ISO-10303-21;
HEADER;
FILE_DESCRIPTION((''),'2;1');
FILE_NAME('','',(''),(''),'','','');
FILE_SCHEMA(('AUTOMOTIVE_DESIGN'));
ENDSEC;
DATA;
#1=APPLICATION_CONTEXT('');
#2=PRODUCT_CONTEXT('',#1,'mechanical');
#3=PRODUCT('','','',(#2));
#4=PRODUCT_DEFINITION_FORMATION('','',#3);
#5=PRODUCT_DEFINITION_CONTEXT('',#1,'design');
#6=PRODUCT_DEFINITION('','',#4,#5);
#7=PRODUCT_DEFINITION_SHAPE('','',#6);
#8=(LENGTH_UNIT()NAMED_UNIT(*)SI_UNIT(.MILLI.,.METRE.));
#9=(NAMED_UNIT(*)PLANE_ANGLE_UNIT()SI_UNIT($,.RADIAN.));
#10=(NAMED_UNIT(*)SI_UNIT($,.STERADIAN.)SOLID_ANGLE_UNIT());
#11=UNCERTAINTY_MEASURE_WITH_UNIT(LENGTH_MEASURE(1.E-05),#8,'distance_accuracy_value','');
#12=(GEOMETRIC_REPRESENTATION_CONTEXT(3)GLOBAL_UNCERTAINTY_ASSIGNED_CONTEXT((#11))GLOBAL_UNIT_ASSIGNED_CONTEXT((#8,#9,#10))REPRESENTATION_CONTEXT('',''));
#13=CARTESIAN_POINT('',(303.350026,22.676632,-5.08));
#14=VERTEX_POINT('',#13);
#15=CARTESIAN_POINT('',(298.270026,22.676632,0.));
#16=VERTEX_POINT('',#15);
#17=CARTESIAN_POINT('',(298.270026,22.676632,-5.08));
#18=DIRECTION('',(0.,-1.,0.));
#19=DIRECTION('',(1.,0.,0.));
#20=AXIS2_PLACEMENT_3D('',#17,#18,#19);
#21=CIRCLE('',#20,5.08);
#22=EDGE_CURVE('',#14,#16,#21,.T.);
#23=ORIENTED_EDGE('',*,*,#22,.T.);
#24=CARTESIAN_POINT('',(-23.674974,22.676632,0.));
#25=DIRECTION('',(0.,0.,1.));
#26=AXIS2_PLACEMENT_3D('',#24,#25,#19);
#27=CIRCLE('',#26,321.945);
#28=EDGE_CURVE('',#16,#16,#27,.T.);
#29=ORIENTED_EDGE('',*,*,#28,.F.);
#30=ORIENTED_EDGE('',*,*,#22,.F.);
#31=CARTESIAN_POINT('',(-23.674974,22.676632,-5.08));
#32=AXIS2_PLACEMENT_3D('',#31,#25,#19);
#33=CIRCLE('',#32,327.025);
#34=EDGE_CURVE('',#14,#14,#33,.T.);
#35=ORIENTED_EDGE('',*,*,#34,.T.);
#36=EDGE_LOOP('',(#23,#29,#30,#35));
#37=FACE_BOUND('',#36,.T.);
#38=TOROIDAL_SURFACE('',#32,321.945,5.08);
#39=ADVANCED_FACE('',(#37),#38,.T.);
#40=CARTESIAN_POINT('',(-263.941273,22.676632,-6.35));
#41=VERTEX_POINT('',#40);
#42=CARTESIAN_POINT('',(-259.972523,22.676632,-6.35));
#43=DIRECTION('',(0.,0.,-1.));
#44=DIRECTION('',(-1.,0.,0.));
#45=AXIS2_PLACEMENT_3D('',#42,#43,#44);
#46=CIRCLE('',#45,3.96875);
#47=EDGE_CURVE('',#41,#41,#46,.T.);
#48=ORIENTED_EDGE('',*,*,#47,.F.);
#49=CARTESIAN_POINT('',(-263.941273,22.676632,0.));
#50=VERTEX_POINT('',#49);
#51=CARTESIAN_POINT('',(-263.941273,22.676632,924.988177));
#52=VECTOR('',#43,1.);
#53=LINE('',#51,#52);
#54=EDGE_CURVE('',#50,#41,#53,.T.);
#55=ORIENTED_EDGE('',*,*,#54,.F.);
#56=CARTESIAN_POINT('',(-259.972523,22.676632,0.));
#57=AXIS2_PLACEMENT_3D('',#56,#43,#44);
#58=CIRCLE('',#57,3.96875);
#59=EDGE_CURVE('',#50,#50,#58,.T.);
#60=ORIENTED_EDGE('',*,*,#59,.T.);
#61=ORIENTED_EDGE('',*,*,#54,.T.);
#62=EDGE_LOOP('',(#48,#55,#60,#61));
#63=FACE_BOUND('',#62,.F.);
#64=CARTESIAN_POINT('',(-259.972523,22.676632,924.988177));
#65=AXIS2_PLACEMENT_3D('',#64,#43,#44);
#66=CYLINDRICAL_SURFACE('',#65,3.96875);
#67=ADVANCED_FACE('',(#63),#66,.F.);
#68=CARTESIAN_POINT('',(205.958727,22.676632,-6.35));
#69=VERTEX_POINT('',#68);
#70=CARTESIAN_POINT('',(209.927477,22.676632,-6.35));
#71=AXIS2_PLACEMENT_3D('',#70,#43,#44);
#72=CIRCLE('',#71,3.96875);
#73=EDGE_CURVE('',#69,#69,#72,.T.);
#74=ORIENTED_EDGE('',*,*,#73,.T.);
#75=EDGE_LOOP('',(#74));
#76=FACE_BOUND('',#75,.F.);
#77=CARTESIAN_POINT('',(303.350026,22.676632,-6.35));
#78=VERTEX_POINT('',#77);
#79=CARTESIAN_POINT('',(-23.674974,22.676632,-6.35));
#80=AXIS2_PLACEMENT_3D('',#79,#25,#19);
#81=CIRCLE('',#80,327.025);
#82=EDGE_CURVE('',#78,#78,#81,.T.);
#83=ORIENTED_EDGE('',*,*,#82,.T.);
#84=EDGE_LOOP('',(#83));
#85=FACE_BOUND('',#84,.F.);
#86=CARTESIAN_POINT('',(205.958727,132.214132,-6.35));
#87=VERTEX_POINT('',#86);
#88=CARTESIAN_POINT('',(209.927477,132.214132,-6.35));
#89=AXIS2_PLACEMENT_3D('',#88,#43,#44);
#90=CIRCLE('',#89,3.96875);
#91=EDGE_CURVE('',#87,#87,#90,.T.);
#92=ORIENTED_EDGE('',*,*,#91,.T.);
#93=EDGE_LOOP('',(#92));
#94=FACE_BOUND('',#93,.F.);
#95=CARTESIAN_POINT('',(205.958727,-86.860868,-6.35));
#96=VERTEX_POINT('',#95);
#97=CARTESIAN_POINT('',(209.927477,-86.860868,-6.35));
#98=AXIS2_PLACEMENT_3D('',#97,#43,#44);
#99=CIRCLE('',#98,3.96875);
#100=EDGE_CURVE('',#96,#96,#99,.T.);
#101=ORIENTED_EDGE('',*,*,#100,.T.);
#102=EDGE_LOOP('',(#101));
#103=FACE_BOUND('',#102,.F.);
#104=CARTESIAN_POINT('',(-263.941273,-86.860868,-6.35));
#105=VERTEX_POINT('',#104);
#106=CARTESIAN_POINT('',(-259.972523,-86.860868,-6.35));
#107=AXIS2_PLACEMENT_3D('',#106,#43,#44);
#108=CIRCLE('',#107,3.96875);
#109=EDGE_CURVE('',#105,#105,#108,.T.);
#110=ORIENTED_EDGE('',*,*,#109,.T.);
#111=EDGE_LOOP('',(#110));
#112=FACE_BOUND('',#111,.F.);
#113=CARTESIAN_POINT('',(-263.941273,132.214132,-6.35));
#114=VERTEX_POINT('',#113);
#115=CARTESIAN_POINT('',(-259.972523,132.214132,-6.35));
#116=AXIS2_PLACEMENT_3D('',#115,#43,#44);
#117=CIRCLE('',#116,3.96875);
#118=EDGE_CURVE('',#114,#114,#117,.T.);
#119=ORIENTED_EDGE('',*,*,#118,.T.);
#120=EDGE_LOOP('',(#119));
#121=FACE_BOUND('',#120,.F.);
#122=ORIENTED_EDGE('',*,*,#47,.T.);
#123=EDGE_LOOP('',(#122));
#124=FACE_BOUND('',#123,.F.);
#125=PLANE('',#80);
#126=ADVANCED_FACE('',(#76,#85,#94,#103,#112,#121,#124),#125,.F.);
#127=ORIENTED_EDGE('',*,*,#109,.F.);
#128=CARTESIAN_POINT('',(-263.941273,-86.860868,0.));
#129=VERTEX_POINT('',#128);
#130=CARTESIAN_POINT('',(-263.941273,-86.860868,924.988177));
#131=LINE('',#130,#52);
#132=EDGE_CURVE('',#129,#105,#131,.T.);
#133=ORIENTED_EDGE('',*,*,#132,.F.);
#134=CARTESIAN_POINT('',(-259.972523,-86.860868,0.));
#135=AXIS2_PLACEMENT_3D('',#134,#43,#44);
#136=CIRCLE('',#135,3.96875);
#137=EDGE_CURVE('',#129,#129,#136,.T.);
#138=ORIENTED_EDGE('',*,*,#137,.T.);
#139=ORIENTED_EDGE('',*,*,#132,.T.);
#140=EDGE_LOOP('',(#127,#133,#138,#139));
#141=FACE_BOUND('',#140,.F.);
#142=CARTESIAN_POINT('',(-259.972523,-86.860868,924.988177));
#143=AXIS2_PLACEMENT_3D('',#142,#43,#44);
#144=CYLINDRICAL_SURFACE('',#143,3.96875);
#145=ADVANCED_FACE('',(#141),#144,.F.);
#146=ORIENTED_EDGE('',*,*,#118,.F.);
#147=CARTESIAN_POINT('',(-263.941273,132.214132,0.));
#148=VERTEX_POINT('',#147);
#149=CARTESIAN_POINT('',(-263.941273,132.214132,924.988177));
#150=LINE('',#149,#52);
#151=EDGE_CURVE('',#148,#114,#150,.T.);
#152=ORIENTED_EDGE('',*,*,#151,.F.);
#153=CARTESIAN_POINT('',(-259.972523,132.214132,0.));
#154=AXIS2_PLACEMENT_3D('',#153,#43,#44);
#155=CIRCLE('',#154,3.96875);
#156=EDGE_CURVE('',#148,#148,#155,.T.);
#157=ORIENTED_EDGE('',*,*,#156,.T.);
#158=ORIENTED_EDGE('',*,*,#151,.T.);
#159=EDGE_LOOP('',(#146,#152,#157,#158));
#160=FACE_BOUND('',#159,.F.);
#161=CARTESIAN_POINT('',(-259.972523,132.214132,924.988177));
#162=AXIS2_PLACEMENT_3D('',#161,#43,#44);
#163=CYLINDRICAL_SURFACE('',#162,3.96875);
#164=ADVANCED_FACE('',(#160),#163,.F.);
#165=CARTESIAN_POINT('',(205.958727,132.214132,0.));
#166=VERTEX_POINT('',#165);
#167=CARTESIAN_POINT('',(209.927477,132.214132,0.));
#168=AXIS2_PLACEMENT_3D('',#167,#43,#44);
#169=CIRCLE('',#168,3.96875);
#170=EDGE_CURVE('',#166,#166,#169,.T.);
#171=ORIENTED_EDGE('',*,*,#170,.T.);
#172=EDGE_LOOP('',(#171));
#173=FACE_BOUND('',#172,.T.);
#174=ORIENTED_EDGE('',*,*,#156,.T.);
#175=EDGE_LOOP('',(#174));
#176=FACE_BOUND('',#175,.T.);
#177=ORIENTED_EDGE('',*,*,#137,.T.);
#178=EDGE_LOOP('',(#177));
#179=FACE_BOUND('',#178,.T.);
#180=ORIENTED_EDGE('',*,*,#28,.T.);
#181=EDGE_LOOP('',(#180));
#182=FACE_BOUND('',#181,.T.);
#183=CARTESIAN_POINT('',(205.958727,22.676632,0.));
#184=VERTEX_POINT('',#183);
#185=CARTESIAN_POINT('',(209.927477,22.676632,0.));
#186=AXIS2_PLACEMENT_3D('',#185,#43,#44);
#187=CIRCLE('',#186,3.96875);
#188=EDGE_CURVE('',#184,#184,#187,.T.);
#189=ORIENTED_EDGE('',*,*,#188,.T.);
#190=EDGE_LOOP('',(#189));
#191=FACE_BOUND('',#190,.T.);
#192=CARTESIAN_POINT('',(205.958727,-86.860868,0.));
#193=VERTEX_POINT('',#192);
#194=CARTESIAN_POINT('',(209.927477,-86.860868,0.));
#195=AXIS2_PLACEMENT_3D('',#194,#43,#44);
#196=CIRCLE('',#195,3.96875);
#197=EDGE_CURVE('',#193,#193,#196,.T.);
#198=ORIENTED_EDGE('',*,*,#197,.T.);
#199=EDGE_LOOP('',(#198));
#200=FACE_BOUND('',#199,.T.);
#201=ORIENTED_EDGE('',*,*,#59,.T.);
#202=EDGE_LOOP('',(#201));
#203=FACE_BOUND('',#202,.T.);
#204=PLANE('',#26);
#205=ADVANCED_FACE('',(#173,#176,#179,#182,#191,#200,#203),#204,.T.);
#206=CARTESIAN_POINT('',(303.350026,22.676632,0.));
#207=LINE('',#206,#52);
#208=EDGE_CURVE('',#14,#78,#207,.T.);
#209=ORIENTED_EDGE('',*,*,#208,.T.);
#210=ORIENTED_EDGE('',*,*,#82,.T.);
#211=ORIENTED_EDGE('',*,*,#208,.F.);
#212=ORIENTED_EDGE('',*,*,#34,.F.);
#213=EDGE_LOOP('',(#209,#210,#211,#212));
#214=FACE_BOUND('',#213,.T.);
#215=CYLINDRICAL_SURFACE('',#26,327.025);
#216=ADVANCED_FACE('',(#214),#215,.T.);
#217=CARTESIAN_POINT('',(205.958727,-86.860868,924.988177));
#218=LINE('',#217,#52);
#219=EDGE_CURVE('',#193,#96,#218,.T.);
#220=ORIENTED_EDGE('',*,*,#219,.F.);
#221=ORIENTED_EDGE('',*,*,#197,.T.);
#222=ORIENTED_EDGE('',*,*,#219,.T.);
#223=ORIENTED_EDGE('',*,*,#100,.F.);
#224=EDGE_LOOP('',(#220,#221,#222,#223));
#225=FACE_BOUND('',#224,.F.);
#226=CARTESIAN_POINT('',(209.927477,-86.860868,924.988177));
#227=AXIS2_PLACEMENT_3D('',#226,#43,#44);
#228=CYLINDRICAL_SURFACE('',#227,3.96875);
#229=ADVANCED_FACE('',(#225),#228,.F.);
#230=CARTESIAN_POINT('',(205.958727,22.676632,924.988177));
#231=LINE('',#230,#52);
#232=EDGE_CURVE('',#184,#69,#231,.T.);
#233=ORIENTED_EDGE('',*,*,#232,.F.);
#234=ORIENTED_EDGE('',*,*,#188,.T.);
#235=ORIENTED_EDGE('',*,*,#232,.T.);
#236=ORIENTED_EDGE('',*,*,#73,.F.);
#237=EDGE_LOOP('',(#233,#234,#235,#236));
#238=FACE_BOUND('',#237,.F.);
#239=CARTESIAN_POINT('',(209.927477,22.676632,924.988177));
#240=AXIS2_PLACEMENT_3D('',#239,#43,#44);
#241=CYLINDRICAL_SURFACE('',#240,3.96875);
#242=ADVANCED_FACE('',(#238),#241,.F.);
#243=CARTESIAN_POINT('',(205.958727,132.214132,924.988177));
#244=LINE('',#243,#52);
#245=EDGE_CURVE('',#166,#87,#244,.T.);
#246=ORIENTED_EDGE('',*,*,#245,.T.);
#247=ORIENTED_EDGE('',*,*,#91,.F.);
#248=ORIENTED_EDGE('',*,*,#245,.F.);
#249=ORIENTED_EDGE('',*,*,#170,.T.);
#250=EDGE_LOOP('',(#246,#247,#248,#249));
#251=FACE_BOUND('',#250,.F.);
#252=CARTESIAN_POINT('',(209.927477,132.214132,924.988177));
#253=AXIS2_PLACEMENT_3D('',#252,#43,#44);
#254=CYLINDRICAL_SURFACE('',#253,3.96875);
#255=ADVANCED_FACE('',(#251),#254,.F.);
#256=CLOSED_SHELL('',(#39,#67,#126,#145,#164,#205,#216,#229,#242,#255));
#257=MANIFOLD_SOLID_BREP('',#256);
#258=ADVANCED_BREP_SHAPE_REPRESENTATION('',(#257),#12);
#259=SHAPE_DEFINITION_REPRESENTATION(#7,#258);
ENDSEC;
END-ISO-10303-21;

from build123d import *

# Parameters (mm, degrees)
F0_R     = 327.025
F1_DEPTH = 6.35
F3_D     = 7.9375
F5_D     = 7.9375
F6_R     = 5.08


with BuildPart() as f1:
    # F0 (on Top) → F1 (new body)
    with BuildSketch(Plane.XY):
        with Locations((-23.674974, 22.676632)):
            Circle(F0_R)
    extrude(amount=-F1_DEPTH)

    # F3 (through all)
    with Locations(Plane.XY):
        with Locations((-259.972523, 22.676632), (209.927477, 22.676632)):
            Hole(F3_D / 2)

    # F5 (through all)
    with Locations(Plane.XY):
        with Locations((-259.972523, 132.214132), (-259.972523, -86.860868), (209.927477, -86.860868), (209.927477, 132.214132)):
            Hole(F5_D / 2)

    # F6
    f6_edges = [f1.edges().sort_by_distance(p)[0] for p in [
        (-350.699974, 22.676632, 0),
    ]]
    fillet(f6_edges, radius=F6_R)


solid = f1.part
